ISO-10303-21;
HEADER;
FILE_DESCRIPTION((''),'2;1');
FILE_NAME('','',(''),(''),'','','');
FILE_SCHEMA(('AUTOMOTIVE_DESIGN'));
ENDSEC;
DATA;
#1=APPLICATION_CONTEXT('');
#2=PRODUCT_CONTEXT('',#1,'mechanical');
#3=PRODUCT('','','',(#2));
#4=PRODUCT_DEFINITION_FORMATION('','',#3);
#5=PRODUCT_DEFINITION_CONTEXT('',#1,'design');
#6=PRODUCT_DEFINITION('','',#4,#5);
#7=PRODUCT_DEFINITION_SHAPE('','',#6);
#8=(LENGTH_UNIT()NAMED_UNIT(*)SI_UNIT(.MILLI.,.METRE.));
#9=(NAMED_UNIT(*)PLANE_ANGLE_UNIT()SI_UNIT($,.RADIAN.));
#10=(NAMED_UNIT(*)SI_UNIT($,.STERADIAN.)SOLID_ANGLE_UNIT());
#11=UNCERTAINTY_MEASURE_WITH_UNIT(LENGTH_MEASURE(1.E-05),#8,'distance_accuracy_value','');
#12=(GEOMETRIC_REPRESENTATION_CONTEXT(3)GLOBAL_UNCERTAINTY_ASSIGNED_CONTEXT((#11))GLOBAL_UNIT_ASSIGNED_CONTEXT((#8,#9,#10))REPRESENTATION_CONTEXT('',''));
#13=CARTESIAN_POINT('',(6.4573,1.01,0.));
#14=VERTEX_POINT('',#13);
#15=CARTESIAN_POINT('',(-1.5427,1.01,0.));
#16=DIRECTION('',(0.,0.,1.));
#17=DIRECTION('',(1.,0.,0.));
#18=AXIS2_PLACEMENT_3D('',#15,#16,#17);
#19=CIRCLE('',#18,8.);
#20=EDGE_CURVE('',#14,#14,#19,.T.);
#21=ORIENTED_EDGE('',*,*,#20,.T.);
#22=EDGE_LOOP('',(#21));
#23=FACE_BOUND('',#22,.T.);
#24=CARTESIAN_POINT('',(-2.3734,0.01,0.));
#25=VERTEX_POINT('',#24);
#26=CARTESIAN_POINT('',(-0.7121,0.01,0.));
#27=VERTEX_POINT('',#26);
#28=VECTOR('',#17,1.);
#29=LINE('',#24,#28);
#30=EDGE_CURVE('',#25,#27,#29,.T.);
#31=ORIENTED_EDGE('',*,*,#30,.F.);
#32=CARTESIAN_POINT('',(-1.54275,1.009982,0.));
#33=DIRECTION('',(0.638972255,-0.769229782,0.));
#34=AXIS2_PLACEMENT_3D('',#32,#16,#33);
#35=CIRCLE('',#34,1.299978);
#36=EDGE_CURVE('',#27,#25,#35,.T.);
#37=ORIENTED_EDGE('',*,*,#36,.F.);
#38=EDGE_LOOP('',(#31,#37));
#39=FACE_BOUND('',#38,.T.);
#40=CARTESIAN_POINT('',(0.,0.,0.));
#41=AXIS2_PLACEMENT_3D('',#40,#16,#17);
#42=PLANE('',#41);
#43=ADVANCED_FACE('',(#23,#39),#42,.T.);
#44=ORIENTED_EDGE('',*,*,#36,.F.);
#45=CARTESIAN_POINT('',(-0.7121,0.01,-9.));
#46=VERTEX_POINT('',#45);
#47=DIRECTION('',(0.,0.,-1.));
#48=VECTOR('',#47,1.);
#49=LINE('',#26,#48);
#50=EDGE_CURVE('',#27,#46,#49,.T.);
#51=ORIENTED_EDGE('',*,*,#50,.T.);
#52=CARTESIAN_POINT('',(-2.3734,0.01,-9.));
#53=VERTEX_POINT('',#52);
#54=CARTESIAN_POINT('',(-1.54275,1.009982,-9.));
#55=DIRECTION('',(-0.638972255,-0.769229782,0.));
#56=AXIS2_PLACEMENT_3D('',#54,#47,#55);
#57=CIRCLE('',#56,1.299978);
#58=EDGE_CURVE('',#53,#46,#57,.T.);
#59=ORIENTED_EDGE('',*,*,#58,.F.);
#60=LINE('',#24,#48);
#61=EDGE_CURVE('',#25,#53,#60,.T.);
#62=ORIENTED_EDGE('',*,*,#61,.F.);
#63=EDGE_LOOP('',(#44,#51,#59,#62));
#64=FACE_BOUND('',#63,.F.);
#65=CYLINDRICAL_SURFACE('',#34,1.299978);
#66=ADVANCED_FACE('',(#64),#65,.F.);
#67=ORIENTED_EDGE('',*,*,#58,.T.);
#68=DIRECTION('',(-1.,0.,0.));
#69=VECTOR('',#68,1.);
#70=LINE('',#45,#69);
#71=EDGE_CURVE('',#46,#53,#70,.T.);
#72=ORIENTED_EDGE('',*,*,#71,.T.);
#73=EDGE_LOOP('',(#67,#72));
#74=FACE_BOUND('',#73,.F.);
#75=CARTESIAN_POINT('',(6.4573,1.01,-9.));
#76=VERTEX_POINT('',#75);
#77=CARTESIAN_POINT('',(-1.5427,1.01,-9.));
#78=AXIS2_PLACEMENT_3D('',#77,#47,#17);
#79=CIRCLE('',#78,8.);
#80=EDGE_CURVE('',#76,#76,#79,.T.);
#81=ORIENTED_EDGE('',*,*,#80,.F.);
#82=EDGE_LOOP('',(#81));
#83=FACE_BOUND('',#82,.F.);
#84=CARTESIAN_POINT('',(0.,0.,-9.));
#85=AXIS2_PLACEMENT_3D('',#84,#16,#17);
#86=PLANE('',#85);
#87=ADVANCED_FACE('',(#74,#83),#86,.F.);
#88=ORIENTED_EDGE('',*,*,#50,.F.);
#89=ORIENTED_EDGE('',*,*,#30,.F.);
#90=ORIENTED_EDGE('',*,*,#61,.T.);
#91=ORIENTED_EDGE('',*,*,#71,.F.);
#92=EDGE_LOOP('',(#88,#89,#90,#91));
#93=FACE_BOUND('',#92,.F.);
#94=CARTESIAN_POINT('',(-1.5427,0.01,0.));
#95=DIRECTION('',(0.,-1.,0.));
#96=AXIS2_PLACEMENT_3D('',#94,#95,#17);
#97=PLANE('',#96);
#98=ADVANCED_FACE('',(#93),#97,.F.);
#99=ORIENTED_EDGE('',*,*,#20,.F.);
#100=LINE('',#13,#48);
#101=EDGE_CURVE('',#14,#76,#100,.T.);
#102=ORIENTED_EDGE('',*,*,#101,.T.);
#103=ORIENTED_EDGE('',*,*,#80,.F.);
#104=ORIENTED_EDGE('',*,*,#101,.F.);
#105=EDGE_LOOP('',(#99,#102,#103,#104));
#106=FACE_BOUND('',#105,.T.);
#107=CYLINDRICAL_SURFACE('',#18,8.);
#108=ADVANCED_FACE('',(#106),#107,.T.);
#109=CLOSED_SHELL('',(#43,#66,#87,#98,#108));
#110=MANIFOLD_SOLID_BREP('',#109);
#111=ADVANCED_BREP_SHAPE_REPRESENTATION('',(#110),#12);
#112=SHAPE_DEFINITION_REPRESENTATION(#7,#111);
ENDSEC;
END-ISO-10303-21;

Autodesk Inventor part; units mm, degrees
ref_plane "YZ Plane" through (0, 0, 0) normal (1, 0, 0) x (0, 1, 0)
ref_plane "XZ Plane" through (0, 0, 0) normal (0, 1, 0) x (-1, 0, 0)
ref_plane "XY Plane" through (0, 0, 0) normal (0, 0, 1) x (1, 0, 0)
sketch "Sketch1" plane through (0, 0, 0) normal (0, 0, 1) x (1, 0, 0)
  arc A0 (-0.4247, 0.01) -> (-2.6608, 0.01) centre (-1.5427, 1.01) ccw
  arc A1 (-2.6608, 0.01) -> (-0.4247, 0.01) centre (-1.5427, 1.01) ccw
  line L0 (-10.5427, 10.01) -> (-10.5427, -2.95)
  line L1 (-7.5427, -2.95) -> (-10.5427, -2.95)
  line L2 (-7.5427, 12.35) -> (-7.5427, -2.95)
  line L3 (-7.5427, 12.35) -> (-8.5427, 12.35)
  line L4 (-8.5427, 12.35) -> (-4.5427, 12.35)
  line L5 (-4.5427, 35.8608) -> (-4.5427, 12.35)
  line L6 (1.9573, 15.05) -> (-0.8499, 15.05)
  arc A2 (-2.2355, 15.05) -> (-0.8499, 15.05) centre (-1.5427, 13.95) ccw
  line L7 (-2.2355, 15.05) -> (-5.0427, 15.05)
  arc A3 (-5.0427, 15.05) -> (-5.5427, 14.55) centre (-5.0427, 14.55) ccw
  line L8 (-5.5427, 14.55) -> (-5.5427, 12.85)
  line L9 (-5.5427, 12.85) -> (-7.0427, 12.85)
  arc A4 (-7.0427, 12.85) -> (-7.5427, 12.35) centre (-7.0427, 12.35) ccw
  line L10 (-7.5427, 12.35) -> (-7.5427, -2.45)
  arc A5 (-7.5427, -2.45) -> (-7.0427, -2.95) centre (-7.0427, -2.45) ccw
  line L11 (-7.0427, -2.95) -> (3.9573, -2.95)
  arc A6 (3.9573, -2.95) -> (4.4573, -2.45) centre (3.9573, -2.45) ccw
  line L12 (4.4573, -2.45) -> (4.4573, 12.35)
  arc A7 (4.4573, 12.35) -> (3.9573, 12.85) centre (3.9573, 12.35) ccw
  line L13 (3.9573, 12.85) -> (2.4573, 12.85)
  line L14 (2.4573, 12.85) -> (2.4573, 14.55)
  arc A8 (2.4573, 14.55) -> (1.9573, 15.05) centre (1.9573, 14.55) ccw
  circle A9 centre (-1.5427, 1.01) radius 2
  circle A10 centre (1.2073, 9.85) radius 0.45
  circle A11 centre (0.0302, 6.6603) radius 0.45
  circle A12 centre (-1.5427, 4.59) radius 0.45
  circle A13 centre (2.7073, -1.24) radius 1.25
  circle A14 centre (-5.7927, -1.24) radius 1.25
  line L15 (-1.5427, 1.01) -> (-10.5427, 1.01)
  line L16 (-10.5427, 1.01) -> (-12.5427, 1.01)
  line L17 (-12.5427, 1.01) -> (-9.5427, 1.01)
  circle A15 centre (-1.5427, 1.01) radius 8
  line L18 (-1.5427, 1.01) -> (-1.5427, -6.99)
  line L19 (-1.5427, -6.99) -> (-1.5427, -9.99)
  line L20 (-2.3734, 0.01) -> (-0.7121, 0.01)
  arc A16 (-0.7121, 0.01) -> (-2.3734, 0.01) centre (-1.5427, 1.01) ccw
  line L21 (-8.5427, 12.35) -> (-8.5427, 10.01)
  line L22 (-8.5427, 10.01) -> (-10.5427, 10.01)
  line L23 (-8.5427, 36.4347) -> (-8.5427, 12.35)
  line L24 (-4.5427, 35.8608) -> (-8.5427, 36.4347)
  point P0 (0, 0)
  point P1 (-10.5427, 12.35)
extrude "Extrusion1" add sketch "Sketch1" against normal blind 9 contours A1 L18 L20 A16 L15 A0 | A0 L15 A9 L18 A1 | L15 A16 L20 L18 A1 A0 | A0 A1 L18 A9 L15 | L15 L2 A15 L12 A6 L11 L18 A9 | A9 L18 L11 A5 L2 L15 | L15 A15 L2 | L2 L1 A15 L15 | L18 A15 L1 L2 A5 L11 | L11 A6 L12 A15 L18 | A11 | A12 | A13 | A14
properties part number "koło"
